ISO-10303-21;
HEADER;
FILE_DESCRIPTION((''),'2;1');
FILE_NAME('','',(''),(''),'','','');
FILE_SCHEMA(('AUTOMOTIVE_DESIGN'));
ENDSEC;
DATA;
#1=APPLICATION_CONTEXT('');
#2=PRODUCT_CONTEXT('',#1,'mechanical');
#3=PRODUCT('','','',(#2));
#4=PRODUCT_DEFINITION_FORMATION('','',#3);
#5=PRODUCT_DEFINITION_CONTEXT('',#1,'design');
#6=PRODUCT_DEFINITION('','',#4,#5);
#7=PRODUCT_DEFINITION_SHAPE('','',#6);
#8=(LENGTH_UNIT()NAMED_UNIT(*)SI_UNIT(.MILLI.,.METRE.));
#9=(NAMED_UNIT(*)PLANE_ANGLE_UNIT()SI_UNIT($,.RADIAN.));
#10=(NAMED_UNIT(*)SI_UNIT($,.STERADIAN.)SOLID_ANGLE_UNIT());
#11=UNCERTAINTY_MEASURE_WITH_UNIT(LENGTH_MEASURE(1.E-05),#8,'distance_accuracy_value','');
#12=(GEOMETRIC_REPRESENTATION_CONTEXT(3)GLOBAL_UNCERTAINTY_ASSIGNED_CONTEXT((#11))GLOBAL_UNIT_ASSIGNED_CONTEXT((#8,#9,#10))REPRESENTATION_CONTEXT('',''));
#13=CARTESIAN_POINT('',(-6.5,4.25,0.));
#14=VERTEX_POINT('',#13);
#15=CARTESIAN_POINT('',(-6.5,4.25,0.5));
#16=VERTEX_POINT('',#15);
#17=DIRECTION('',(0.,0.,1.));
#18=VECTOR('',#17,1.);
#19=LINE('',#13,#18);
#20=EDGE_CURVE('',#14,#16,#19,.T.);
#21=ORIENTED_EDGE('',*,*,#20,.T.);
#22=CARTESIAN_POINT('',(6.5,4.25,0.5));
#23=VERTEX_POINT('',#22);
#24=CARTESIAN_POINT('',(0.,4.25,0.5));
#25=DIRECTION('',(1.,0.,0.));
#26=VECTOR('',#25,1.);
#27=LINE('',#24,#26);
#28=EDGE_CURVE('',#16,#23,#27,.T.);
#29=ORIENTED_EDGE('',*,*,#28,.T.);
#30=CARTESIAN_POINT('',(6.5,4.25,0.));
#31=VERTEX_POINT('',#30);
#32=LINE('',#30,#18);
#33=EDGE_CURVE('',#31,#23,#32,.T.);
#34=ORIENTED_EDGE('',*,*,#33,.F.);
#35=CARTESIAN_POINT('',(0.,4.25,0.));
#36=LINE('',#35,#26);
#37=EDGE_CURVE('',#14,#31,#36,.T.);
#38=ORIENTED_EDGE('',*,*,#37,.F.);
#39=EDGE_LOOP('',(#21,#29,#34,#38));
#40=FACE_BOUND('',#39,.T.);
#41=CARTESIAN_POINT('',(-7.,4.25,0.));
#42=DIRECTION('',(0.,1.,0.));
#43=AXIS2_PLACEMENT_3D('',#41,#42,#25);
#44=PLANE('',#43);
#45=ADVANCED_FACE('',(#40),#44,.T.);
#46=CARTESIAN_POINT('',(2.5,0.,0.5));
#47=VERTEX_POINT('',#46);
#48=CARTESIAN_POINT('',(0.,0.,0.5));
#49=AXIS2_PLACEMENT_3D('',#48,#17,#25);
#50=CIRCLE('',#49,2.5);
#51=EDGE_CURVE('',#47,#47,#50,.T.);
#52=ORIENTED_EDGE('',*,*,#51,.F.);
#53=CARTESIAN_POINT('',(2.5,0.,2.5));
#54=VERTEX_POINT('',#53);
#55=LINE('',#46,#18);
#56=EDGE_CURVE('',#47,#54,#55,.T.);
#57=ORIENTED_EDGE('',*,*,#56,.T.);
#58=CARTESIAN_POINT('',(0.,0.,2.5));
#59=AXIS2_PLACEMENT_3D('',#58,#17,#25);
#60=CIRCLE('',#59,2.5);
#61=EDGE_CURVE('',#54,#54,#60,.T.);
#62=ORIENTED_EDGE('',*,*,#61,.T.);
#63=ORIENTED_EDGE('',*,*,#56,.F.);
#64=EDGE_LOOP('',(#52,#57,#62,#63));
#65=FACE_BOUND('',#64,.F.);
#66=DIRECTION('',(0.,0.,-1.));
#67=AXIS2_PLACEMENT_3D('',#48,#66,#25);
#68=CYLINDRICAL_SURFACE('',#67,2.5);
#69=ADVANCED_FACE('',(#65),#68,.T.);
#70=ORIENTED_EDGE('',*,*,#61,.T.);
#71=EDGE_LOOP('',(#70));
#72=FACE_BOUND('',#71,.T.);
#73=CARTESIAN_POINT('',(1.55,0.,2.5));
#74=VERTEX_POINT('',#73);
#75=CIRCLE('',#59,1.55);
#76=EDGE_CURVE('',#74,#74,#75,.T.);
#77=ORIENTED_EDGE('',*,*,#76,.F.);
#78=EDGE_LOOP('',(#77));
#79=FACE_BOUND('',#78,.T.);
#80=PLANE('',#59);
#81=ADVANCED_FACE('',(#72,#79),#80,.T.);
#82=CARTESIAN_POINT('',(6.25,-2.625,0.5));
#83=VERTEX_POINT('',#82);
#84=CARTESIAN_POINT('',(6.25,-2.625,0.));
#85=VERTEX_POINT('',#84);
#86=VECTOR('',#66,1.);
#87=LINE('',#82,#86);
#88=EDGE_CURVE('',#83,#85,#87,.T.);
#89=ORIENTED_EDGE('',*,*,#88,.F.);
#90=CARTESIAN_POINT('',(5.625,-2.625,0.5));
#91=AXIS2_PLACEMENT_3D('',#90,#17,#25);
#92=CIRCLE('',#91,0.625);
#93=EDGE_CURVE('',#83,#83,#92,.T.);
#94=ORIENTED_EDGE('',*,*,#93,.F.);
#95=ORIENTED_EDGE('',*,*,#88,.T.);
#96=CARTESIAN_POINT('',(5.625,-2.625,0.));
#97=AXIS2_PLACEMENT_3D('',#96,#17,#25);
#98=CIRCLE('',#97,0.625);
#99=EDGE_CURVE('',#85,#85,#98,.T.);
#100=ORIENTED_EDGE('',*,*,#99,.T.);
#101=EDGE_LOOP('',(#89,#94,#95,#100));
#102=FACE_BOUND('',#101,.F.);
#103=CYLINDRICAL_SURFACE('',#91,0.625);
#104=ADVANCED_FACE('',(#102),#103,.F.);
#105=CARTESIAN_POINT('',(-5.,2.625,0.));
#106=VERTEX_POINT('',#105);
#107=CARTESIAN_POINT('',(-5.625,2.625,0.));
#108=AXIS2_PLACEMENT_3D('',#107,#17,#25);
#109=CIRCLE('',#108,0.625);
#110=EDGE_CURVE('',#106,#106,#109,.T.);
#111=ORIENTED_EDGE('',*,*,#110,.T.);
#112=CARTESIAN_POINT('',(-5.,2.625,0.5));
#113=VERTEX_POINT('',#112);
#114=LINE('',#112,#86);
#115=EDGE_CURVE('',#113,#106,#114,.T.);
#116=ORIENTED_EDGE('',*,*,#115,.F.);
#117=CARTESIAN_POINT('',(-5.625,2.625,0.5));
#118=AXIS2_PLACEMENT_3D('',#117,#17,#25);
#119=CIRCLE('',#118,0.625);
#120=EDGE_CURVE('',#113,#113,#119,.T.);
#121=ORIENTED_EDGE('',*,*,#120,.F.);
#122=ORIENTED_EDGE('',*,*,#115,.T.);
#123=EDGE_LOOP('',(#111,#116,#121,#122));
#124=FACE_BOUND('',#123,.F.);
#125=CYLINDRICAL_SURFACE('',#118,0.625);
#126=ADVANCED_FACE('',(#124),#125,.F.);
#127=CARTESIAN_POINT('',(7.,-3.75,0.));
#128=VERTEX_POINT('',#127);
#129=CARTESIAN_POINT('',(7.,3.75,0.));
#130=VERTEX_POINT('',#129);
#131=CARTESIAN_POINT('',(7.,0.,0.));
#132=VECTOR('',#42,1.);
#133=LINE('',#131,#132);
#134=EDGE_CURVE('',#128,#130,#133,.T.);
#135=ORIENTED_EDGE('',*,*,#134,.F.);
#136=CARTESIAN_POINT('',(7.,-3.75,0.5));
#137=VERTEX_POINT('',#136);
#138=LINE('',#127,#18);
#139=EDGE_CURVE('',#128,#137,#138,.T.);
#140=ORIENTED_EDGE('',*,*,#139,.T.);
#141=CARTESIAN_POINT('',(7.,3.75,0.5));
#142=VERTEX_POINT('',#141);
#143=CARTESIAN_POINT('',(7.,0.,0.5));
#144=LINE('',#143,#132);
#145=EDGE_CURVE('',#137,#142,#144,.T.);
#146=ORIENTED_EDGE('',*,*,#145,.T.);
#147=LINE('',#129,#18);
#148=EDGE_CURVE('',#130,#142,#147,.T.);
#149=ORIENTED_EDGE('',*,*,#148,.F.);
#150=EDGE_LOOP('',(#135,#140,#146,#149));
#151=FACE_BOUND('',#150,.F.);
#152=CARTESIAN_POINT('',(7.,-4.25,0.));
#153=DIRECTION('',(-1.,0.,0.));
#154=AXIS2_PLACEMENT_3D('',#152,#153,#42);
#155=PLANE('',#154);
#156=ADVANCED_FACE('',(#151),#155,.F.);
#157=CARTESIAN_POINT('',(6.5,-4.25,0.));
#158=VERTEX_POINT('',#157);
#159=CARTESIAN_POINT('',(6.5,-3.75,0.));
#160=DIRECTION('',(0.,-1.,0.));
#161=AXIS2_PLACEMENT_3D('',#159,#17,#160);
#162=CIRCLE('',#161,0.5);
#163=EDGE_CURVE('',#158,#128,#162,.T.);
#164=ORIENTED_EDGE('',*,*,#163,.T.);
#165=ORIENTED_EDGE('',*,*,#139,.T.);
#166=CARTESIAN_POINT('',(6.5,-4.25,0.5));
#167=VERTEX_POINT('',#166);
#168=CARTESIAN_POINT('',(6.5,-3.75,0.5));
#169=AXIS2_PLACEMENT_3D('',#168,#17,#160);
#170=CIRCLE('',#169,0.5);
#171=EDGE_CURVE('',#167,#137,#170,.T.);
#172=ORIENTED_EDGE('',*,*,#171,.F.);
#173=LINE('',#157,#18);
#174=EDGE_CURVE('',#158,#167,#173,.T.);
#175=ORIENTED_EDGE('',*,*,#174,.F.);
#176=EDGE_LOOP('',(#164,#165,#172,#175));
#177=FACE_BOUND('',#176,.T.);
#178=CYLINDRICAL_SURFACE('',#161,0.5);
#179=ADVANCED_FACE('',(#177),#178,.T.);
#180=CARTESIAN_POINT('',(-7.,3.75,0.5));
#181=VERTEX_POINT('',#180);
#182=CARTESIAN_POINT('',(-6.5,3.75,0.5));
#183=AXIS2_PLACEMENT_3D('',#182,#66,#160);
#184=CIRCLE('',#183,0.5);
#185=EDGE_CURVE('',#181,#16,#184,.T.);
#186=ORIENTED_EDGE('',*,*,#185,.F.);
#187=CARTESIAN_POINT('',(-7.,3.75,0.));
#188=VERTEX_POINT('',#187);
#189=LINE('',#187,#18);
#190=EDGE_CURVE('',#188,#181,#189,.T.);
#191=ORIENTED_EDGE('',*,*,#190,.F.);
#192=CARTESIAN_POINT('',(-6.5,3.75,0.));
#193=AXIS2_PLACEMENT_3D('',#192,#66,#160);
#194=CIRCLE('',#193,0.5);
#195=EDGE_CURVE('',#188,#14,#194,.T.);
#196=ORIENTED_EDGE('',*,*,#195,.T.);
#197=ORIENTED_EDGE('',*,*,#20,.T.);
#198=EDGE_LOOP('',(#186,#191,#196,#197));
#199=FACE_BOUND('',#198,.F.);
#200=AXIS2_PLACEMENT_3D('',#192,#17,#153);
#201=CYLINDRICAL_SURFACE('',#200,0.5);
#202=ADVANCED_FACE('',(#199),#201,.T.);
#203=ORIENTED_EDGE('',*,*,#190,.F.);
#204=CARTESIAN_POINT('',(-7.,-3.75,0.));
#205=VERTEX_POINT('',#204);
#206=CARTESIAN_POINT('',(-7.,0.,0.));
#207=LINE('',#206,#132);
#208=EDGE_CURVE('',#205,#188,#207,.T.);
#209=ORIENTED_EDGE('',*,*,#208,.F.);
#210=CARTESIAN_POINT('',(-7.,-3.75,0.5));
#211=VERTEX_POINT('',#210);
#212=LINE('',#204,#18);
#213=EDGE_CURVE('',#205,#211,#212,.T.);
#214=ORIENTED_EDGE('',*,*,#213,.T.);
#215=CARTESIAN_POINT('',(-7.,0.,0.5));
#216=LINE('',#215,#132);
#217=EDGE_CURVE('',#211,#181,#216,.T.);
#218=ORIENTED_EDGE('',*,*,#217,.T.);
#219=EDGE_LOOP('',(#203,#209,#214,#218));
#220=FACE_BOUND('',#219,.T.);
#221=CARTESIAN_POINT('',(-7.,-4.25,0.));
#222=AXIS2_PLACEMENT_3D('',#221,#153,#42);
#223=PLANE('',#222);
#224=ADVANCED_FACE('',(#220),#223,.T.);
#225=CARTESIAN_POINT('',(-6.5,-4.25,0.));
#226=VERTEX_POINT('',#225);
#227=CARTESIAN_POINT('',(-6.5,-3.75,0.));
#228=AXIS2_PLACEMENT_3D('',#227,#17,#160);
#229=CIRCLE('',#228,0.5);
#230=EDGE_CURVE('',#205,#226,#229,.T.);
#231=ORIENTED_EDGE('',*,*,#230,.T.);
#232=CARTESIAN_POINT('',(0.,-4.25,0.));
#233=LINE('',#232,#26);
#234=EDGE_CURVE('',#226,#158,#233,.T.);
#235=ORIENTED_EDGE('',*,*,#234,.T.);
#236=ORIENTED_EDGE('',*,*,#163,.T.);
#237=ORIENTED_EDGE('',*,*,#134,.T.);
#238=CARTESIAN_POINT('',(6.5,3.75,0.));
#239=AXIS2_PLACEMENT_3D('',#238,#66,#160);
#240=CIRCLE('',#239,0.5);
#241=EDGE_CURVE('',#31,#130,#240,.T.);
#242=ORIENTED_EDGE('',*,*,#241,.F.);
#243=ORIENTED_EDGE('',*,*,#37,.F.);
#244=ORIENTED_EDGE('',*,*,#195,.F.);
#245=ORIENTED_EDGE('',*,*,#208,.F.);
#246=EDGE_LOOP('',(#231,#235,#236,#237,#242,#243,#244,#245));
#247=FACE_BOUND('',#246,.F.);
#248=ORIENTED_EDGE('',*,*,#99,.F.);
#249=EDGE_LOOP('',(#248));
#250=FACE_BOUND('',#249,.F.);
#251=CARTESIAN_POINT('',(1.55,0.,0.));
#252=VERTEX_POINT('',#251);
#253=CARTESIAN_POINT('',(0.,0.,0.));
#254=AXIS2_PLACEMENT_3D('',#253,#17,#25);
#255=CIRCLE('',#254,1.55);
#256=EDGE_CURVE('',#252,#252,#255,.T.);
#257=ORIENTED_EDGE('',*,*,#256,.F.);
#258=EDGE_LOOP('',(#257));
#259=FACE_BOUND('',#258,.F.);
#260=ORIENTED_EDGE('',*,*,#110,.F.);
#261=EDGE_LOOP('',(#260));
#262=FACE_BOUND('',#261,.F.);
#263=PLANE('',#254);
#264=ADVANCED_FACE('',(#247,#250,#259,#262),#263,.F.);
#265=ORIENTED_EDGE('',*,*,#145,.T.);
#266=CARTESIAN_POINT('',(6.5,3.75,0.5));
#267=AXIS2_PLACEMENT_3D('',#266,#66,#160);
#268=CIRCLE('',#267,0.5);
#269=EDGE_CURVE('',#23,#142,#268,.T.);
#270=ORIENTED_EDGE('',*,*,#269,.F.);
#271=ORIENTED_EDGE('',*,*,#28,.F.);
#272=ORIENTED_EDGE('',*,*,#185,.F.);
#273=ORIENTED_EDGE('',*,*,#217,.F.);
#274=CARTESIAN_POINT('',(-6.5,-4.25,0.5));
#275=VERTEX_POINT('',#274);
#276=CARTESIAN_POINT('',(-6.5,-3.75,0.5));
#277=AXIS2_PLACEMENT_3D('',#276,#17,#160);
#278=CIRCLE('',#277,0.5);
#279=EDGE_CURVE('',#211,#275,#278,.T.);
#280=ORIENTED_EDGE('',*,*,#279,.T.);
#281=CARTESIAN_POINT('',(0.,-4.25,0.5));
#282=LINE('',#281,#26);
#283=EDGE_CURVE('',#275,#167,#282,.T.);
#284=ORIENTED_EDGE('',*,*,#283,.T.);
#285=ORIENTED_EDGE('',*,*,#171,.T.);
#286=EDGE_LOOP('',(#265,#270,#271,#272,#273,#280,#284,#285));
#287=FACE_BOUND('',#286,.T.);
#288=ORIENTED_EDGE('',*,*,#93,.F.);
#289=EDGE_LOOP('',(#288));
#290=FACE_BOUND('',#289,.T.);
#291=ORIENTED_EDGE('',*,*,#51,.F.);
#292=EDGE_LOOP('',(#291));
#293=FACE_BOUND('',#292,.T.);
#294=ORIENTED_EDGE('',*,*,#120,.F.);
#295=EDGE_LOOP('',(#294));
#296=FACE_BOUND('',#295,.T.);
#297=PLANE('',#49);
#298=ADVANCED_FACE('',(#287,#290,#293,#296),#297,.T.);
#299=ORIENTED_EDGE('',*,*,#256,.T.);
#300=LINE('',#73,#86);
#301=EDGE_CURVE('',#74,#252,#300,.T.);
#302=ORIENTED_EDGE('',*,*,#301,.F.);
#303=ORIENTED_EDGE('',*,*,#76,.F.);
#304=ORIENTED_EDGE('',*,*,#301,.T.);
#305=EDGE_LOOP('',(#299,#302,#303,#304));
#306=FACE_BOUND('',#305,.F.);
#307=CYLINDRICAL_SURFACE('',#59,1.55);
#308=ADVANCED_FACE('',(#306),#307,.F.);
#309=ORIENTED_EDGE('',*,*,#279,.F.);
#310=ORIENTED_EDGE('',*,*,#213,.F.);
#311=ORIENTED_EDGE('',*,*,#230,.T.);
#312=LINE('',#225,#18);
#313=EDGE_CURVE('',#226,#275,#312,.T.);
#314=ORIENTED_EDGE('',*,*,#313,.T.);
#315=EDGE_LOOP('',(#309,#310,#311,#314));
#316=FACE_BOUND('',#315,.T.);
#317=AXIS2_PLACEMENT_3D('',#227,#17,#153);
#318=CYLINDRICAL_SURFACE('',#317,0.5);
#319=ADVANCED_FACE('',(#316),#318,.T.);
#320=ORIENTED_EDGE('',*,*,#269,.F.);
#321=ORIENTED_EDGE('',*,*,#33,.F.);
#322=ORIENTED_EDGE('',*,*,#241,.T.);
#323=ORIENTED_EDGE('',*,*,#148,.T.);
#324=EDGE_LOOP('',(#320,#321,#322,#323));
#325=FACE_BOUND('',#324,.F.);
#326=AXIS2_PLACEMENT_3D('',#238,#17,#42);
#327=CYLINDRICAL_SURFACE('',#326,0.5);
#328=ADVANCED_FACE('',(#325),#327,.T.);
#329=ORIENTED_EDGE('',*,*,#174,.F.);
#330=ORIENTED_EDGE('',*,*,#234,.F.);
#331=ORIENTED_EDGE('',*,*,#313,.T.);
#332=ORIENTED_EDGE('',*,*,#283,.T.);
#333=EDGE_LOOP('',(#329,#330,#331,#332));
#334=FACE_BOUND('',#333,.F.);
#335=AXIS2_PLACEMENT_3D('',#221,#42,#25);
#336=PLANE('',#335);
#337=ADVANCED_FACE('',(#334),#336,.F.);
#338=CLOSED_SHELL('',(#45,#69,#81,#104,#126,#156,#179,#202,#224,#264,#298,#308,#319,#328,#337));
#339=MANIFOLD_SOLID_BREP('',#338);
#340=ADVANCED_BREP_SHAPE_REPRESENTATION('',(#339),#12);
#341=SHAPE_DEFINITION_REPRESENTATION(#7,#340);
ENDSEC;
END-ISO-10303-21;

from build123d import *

# Parameters (mm, degrees)
SKETCH_W        = 14
SKETCH_H        = 8.5
PAD_DEPTH       = 0.5
SKETCH001_R     = 0.625
POCKET_DEPTH    = 0.501
SKETCH002_R     = 2.5
PAD001_DEPTH    = 2
SKETCH003_R     = 1.55
POCKET001_DEPTH = 2.501
FILLET_R        = 0.5


with BuildPart() as part:
    # Sketch → Pad (new body)
    with BuildSketch(Plane.XY):
        Rectangle(SKETCH_W, SKETCH_H)
    extrude(amount=PAD_DEPTH)

    # Sketch001 (on Face6 of Pad) → Pocket (cut, through all)
    with BuildSketch(Plane.XY.offset(0.5)):
        with Locations((-5.625, 2.625)):
            Circle(SKETCH001_R)
        with Locations((5.625, -2.625)):
            Circle(SKETCH001_R)
    extrude(amount=-POCKET_DEPTH, mode=Mode.SUBTRACT)

    # Sketch002 (on Face5 of Pocket) → Pad001 (join)
    with BuildSketch(Plane.XY.offset(0.5)):
        Circle(SKETCH002_R)
    extrude(amount=PAD001_DEPTH)

    # Sketch003 (on Face10 of Pad001) → Pocket001 (cut, through all)
    with BuildSketch(Plane.XY.offset(2.5)):
        Circle(SKETCH003_R)
    extrude(amount=-POCKET001_DEPTH, mode=Mode.SUBTRACT)

    # Fillet
    fillet_edges = [part.edges().sort_by_distance(p)[0] for p in [
        (-7, -4.25, 0.25),
        (7, -4.25, 0.25),
        (7, 4.25, 0.25),
        (-7, 4.25, 0.25),
    ]]
    fillet(fillet_edges, radius=FILLET_R)


solid = part.part
